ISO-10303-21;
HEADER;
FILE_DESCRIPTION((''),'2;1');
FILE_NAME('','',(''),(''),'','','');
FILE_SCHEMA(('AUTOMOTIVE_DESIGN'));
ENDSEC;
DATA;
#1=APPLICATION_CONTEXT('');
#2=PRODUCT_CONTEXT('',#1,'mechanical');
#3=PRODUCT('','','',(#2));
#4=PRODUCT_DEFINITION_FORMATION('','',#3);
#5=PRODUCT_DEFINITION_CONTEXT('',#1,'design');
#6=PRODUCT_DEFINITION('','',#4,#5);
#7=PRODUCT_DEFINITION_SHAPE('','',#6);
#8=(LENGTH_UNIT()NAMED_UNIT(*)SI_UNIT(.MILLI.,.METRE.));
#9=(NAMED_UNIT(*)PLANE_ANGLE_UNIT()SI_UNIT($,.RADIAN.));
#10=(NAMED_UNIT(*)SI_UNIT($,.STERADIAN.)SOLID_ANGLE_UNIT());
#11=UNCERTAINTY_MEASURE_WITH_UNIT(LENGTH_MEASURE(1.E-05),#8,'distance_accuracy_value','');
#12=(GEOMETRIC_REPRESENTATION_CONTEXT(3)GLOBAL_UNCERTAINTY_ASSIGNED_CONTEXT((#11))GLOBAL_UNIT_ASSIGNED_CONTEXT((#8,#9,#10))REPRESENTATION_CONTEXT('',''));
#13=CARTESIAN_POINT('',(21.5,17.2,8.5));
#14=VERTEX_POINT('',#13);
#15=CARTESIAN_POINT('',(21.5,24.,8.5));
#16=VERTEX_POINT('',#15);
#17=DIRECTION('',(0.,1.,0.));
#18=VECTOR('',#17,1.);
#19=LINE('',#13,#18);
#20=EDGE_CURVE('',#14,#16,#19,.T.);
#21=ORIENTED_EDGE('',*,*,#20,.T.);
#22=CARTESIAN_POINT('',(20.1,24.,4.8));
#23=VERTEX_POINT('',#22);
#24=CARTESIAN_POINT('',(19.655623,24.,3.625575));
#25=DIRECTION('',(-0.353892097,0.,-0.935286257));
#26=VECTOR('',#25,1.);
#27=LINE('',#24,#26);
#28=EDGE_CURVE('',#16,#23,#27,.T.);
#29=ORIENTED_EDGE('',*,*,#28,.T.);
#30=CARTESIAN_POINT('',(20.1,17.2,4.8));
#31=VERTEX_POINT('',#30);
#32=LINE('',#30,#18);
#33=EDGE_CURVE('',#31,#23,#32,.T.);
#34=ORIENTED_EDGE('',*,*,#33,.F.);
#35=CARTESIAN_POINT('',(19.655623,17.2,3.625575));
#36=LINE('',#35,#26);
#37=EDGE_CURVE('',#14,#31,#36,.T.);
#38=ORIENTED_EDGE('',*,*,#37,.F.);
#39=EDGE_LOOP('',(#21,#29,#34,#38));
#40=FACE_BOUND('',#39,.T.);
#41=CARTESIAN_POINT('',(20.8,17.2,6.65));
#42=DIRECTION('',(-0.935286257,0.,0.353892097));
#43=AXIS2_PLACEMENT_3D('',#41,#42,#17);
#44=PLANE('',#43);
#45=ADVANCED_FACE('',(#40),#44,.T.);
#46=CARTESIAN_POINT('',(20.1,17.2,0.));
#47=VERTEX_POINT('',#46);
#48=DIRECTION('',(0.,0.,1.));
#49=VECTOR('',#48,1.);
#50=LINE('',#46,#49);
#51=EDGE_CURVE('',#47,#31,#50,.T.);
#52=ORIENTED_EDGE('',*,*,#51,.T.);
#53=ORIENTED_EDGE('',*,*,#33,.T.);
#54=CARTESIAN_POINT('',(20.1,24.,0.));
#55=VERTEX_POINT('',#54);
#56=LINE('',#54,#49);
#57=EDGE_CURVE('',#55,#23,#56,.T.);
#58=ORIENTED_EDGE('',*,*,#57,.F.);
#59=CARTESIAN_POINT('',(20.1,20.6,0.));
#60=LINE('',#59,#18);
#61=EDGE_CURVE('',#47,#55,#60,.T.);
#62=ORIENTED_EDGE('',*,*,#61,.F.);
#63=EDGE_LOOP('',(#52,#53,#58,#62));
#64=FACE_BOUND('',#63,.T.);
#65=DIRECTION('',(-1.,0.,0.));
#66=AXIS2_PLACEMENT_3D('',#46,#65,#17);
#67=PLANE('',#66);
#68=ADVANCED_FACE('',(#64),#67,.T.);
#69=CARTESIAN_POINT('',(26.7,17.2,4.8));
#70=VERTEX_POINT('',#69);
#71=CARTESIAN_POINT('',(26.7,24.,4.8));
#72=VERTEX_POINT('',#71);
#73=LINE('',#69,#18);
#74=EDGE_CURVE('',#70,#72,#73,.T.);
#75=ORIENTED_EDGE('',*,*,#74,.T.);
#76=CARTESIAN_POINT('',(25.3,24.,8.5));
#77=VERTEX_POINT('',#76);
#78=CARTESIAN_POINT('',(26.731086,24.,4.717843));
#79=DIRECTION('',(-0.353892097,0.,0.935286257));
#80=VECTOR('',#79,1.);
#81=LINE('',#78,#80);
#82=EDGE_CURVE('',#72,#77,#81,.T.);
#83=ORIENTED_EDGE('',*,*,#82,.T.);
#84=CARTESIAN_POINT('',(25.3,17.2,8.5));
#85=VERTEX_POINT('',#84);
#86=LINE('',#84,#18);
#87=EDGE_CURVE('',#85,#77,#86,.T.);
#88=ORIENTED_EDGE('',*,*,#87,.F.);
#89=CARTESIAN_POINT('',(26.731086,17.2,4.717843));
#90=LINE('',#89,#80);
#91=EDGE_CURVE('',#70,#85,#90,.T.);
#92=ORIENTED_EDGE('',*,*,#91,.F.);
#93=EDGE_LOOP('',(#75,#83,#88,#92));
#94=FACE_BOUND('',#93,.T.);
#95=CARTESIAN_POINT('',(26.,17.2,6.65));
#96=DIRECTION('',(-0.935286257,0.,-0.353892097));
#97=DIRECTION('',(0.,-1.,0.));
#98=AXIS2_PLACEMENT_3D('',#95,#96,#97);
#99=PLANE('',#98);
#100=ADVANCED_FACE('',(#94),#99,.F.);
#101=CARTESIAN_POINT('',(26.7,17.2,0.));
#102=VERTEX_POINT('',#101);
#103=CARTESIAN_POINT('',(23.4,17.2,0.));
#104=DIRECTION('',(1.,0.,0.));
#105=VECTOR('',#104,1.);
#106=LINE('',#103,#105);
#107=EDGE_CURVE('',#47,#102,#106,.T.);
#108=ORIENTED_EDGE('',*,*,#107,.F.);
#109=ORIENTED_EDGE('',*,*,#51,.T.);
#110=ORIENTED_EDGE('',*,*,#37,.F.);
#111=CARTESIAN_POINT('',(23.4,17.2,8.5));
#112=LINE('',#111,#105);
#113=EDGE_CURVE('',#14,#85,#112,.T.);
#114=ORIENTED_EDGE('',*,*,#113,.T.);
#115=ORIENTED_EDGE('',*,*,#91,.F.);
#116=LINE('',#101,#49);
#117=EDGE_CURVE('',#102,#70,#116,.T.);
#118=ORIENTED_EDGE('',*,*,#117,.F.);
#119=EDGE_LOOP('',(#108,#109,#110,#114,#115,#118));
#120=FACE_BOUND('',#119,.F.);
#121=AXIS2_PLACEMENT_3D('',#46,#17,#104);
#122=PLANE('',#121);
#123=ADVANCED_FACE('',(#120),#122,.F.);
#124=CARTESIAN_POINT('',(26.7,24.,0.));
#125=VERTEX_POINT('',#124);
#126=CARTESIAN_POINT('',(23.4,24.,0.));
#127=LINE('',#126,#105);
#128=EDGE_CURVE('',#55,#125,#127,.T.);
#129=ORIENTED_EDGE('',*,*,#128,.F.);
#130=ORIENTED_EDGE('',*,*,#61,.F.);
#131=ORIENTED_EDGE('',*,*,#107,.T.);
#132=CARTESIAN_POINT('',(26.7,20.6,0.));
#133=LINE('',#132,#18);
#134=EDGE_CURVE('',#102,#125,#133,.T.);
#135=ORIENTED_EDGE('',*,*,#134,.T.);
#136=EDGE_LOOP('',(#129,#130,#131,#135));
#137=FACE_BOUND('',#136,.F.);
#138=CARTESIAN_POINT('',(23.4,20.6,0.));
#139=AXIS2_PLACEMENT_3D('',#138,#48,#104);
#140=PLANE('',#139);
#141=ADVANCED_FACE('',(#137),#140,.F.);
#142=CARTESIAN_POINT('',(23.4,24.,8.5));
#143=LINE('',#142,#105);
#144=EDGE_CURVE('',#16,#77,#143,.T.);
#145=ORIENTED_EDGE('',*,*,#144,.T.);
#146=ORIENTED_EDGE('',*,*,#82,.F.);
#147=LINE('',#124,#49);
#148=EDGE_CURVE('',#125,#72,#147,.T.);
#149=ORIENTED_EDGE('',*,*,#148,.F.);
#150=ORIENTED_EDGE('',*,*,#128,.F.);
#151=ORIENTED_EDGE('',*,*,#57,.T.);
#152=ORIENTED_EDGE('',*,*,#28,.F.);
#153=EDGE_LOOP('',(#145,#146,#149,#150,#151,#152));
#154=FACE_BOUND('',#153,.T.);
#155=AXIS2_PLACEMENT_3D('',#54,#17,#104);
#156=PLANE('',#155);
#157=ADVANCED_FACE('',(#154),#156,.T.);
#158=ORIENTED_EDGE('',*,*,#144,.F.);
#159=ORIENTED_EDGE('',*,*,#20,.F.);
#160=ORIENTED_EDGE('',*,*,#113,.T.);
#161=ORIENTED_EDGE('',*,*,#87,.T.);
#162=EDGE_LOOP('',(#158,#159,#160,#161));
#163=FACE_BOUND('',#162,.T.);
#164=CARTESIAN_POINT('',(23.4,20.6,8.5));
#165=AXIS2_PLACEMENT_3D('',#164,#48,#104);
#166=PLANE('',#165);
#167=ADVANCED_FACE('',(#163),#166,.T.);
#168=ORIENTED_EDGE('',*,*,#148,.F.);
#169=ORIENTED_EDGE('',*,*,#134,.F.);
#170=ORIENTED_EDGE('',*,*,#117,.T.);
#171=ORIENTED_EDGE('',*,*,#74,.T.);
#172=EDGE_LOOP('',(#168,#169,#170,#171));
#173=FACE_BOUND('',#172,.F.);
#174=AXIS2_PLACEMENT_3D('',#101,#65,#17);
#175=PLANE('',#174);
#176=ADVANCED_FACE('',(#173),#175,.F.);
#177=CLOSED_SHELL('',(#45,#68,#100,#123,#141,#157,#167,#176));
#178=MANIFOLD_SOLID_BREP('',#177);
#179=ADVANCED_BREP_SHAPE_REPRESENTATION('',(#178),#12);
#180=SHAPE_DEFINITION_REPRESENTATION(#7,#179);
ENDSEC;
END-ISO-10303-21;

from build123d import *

# Parameters (mm, degrees)
SKETCH016_W      = 6.6
SKETCH016_H      = 6.8
PAD007_DEPTH     = 8.5
CHAMFER004_SIZE2 = 1.4
CHAMFER004_SIZE  = 3.7
CHAMFER005_SIZE2 = 3.7
CHAMFER005_SIZE  = 1.4


with BuildPart() as part:
    # Sketch016 → Pad007 (new body)
    with BuildSketch(Plane.XY):
        with Locations((50.1, 20.6)):
            Rectangle(SKETCH016_W, SKETCH016_H)
    extrude(amount=PAD007_DEPTH)

    # Chamfer004
    chamfer004_edges = [part.edges().sort_by_distance(p)[0] for p in [
        (53.4, 20.6, 8.5),
    ]]
    chamfer004_side = part.faces().sort_by_distance((53.4, 20.6, 4.25))[0]
    chamfer(chamfer004_edges, length=CHAMFER004_SIZE, length2=CHAMFER004_SIZE2, reference=chamfer004_side)

    # Chamfer005
    chamfer005_edges = [part.edges().sort_by_distance(p)[0] for p in [
        (46.8, 20.6, 8.5),
    ]]
    chamfer005_side = part.faces().sort_by_distance((49.4, 20.6, 8.5))[0]
    chamfer(chamfer005_edges, length=CHAMFER005_SIZE, length2=CHAMFER005_SIZE2, reference=chamfer005_side)


with BuildPart() as part_1:
    # Body020 placement: moved
    add(part.part.moved(Location((-26.7, 0, 0))))


solid = part_1.part
